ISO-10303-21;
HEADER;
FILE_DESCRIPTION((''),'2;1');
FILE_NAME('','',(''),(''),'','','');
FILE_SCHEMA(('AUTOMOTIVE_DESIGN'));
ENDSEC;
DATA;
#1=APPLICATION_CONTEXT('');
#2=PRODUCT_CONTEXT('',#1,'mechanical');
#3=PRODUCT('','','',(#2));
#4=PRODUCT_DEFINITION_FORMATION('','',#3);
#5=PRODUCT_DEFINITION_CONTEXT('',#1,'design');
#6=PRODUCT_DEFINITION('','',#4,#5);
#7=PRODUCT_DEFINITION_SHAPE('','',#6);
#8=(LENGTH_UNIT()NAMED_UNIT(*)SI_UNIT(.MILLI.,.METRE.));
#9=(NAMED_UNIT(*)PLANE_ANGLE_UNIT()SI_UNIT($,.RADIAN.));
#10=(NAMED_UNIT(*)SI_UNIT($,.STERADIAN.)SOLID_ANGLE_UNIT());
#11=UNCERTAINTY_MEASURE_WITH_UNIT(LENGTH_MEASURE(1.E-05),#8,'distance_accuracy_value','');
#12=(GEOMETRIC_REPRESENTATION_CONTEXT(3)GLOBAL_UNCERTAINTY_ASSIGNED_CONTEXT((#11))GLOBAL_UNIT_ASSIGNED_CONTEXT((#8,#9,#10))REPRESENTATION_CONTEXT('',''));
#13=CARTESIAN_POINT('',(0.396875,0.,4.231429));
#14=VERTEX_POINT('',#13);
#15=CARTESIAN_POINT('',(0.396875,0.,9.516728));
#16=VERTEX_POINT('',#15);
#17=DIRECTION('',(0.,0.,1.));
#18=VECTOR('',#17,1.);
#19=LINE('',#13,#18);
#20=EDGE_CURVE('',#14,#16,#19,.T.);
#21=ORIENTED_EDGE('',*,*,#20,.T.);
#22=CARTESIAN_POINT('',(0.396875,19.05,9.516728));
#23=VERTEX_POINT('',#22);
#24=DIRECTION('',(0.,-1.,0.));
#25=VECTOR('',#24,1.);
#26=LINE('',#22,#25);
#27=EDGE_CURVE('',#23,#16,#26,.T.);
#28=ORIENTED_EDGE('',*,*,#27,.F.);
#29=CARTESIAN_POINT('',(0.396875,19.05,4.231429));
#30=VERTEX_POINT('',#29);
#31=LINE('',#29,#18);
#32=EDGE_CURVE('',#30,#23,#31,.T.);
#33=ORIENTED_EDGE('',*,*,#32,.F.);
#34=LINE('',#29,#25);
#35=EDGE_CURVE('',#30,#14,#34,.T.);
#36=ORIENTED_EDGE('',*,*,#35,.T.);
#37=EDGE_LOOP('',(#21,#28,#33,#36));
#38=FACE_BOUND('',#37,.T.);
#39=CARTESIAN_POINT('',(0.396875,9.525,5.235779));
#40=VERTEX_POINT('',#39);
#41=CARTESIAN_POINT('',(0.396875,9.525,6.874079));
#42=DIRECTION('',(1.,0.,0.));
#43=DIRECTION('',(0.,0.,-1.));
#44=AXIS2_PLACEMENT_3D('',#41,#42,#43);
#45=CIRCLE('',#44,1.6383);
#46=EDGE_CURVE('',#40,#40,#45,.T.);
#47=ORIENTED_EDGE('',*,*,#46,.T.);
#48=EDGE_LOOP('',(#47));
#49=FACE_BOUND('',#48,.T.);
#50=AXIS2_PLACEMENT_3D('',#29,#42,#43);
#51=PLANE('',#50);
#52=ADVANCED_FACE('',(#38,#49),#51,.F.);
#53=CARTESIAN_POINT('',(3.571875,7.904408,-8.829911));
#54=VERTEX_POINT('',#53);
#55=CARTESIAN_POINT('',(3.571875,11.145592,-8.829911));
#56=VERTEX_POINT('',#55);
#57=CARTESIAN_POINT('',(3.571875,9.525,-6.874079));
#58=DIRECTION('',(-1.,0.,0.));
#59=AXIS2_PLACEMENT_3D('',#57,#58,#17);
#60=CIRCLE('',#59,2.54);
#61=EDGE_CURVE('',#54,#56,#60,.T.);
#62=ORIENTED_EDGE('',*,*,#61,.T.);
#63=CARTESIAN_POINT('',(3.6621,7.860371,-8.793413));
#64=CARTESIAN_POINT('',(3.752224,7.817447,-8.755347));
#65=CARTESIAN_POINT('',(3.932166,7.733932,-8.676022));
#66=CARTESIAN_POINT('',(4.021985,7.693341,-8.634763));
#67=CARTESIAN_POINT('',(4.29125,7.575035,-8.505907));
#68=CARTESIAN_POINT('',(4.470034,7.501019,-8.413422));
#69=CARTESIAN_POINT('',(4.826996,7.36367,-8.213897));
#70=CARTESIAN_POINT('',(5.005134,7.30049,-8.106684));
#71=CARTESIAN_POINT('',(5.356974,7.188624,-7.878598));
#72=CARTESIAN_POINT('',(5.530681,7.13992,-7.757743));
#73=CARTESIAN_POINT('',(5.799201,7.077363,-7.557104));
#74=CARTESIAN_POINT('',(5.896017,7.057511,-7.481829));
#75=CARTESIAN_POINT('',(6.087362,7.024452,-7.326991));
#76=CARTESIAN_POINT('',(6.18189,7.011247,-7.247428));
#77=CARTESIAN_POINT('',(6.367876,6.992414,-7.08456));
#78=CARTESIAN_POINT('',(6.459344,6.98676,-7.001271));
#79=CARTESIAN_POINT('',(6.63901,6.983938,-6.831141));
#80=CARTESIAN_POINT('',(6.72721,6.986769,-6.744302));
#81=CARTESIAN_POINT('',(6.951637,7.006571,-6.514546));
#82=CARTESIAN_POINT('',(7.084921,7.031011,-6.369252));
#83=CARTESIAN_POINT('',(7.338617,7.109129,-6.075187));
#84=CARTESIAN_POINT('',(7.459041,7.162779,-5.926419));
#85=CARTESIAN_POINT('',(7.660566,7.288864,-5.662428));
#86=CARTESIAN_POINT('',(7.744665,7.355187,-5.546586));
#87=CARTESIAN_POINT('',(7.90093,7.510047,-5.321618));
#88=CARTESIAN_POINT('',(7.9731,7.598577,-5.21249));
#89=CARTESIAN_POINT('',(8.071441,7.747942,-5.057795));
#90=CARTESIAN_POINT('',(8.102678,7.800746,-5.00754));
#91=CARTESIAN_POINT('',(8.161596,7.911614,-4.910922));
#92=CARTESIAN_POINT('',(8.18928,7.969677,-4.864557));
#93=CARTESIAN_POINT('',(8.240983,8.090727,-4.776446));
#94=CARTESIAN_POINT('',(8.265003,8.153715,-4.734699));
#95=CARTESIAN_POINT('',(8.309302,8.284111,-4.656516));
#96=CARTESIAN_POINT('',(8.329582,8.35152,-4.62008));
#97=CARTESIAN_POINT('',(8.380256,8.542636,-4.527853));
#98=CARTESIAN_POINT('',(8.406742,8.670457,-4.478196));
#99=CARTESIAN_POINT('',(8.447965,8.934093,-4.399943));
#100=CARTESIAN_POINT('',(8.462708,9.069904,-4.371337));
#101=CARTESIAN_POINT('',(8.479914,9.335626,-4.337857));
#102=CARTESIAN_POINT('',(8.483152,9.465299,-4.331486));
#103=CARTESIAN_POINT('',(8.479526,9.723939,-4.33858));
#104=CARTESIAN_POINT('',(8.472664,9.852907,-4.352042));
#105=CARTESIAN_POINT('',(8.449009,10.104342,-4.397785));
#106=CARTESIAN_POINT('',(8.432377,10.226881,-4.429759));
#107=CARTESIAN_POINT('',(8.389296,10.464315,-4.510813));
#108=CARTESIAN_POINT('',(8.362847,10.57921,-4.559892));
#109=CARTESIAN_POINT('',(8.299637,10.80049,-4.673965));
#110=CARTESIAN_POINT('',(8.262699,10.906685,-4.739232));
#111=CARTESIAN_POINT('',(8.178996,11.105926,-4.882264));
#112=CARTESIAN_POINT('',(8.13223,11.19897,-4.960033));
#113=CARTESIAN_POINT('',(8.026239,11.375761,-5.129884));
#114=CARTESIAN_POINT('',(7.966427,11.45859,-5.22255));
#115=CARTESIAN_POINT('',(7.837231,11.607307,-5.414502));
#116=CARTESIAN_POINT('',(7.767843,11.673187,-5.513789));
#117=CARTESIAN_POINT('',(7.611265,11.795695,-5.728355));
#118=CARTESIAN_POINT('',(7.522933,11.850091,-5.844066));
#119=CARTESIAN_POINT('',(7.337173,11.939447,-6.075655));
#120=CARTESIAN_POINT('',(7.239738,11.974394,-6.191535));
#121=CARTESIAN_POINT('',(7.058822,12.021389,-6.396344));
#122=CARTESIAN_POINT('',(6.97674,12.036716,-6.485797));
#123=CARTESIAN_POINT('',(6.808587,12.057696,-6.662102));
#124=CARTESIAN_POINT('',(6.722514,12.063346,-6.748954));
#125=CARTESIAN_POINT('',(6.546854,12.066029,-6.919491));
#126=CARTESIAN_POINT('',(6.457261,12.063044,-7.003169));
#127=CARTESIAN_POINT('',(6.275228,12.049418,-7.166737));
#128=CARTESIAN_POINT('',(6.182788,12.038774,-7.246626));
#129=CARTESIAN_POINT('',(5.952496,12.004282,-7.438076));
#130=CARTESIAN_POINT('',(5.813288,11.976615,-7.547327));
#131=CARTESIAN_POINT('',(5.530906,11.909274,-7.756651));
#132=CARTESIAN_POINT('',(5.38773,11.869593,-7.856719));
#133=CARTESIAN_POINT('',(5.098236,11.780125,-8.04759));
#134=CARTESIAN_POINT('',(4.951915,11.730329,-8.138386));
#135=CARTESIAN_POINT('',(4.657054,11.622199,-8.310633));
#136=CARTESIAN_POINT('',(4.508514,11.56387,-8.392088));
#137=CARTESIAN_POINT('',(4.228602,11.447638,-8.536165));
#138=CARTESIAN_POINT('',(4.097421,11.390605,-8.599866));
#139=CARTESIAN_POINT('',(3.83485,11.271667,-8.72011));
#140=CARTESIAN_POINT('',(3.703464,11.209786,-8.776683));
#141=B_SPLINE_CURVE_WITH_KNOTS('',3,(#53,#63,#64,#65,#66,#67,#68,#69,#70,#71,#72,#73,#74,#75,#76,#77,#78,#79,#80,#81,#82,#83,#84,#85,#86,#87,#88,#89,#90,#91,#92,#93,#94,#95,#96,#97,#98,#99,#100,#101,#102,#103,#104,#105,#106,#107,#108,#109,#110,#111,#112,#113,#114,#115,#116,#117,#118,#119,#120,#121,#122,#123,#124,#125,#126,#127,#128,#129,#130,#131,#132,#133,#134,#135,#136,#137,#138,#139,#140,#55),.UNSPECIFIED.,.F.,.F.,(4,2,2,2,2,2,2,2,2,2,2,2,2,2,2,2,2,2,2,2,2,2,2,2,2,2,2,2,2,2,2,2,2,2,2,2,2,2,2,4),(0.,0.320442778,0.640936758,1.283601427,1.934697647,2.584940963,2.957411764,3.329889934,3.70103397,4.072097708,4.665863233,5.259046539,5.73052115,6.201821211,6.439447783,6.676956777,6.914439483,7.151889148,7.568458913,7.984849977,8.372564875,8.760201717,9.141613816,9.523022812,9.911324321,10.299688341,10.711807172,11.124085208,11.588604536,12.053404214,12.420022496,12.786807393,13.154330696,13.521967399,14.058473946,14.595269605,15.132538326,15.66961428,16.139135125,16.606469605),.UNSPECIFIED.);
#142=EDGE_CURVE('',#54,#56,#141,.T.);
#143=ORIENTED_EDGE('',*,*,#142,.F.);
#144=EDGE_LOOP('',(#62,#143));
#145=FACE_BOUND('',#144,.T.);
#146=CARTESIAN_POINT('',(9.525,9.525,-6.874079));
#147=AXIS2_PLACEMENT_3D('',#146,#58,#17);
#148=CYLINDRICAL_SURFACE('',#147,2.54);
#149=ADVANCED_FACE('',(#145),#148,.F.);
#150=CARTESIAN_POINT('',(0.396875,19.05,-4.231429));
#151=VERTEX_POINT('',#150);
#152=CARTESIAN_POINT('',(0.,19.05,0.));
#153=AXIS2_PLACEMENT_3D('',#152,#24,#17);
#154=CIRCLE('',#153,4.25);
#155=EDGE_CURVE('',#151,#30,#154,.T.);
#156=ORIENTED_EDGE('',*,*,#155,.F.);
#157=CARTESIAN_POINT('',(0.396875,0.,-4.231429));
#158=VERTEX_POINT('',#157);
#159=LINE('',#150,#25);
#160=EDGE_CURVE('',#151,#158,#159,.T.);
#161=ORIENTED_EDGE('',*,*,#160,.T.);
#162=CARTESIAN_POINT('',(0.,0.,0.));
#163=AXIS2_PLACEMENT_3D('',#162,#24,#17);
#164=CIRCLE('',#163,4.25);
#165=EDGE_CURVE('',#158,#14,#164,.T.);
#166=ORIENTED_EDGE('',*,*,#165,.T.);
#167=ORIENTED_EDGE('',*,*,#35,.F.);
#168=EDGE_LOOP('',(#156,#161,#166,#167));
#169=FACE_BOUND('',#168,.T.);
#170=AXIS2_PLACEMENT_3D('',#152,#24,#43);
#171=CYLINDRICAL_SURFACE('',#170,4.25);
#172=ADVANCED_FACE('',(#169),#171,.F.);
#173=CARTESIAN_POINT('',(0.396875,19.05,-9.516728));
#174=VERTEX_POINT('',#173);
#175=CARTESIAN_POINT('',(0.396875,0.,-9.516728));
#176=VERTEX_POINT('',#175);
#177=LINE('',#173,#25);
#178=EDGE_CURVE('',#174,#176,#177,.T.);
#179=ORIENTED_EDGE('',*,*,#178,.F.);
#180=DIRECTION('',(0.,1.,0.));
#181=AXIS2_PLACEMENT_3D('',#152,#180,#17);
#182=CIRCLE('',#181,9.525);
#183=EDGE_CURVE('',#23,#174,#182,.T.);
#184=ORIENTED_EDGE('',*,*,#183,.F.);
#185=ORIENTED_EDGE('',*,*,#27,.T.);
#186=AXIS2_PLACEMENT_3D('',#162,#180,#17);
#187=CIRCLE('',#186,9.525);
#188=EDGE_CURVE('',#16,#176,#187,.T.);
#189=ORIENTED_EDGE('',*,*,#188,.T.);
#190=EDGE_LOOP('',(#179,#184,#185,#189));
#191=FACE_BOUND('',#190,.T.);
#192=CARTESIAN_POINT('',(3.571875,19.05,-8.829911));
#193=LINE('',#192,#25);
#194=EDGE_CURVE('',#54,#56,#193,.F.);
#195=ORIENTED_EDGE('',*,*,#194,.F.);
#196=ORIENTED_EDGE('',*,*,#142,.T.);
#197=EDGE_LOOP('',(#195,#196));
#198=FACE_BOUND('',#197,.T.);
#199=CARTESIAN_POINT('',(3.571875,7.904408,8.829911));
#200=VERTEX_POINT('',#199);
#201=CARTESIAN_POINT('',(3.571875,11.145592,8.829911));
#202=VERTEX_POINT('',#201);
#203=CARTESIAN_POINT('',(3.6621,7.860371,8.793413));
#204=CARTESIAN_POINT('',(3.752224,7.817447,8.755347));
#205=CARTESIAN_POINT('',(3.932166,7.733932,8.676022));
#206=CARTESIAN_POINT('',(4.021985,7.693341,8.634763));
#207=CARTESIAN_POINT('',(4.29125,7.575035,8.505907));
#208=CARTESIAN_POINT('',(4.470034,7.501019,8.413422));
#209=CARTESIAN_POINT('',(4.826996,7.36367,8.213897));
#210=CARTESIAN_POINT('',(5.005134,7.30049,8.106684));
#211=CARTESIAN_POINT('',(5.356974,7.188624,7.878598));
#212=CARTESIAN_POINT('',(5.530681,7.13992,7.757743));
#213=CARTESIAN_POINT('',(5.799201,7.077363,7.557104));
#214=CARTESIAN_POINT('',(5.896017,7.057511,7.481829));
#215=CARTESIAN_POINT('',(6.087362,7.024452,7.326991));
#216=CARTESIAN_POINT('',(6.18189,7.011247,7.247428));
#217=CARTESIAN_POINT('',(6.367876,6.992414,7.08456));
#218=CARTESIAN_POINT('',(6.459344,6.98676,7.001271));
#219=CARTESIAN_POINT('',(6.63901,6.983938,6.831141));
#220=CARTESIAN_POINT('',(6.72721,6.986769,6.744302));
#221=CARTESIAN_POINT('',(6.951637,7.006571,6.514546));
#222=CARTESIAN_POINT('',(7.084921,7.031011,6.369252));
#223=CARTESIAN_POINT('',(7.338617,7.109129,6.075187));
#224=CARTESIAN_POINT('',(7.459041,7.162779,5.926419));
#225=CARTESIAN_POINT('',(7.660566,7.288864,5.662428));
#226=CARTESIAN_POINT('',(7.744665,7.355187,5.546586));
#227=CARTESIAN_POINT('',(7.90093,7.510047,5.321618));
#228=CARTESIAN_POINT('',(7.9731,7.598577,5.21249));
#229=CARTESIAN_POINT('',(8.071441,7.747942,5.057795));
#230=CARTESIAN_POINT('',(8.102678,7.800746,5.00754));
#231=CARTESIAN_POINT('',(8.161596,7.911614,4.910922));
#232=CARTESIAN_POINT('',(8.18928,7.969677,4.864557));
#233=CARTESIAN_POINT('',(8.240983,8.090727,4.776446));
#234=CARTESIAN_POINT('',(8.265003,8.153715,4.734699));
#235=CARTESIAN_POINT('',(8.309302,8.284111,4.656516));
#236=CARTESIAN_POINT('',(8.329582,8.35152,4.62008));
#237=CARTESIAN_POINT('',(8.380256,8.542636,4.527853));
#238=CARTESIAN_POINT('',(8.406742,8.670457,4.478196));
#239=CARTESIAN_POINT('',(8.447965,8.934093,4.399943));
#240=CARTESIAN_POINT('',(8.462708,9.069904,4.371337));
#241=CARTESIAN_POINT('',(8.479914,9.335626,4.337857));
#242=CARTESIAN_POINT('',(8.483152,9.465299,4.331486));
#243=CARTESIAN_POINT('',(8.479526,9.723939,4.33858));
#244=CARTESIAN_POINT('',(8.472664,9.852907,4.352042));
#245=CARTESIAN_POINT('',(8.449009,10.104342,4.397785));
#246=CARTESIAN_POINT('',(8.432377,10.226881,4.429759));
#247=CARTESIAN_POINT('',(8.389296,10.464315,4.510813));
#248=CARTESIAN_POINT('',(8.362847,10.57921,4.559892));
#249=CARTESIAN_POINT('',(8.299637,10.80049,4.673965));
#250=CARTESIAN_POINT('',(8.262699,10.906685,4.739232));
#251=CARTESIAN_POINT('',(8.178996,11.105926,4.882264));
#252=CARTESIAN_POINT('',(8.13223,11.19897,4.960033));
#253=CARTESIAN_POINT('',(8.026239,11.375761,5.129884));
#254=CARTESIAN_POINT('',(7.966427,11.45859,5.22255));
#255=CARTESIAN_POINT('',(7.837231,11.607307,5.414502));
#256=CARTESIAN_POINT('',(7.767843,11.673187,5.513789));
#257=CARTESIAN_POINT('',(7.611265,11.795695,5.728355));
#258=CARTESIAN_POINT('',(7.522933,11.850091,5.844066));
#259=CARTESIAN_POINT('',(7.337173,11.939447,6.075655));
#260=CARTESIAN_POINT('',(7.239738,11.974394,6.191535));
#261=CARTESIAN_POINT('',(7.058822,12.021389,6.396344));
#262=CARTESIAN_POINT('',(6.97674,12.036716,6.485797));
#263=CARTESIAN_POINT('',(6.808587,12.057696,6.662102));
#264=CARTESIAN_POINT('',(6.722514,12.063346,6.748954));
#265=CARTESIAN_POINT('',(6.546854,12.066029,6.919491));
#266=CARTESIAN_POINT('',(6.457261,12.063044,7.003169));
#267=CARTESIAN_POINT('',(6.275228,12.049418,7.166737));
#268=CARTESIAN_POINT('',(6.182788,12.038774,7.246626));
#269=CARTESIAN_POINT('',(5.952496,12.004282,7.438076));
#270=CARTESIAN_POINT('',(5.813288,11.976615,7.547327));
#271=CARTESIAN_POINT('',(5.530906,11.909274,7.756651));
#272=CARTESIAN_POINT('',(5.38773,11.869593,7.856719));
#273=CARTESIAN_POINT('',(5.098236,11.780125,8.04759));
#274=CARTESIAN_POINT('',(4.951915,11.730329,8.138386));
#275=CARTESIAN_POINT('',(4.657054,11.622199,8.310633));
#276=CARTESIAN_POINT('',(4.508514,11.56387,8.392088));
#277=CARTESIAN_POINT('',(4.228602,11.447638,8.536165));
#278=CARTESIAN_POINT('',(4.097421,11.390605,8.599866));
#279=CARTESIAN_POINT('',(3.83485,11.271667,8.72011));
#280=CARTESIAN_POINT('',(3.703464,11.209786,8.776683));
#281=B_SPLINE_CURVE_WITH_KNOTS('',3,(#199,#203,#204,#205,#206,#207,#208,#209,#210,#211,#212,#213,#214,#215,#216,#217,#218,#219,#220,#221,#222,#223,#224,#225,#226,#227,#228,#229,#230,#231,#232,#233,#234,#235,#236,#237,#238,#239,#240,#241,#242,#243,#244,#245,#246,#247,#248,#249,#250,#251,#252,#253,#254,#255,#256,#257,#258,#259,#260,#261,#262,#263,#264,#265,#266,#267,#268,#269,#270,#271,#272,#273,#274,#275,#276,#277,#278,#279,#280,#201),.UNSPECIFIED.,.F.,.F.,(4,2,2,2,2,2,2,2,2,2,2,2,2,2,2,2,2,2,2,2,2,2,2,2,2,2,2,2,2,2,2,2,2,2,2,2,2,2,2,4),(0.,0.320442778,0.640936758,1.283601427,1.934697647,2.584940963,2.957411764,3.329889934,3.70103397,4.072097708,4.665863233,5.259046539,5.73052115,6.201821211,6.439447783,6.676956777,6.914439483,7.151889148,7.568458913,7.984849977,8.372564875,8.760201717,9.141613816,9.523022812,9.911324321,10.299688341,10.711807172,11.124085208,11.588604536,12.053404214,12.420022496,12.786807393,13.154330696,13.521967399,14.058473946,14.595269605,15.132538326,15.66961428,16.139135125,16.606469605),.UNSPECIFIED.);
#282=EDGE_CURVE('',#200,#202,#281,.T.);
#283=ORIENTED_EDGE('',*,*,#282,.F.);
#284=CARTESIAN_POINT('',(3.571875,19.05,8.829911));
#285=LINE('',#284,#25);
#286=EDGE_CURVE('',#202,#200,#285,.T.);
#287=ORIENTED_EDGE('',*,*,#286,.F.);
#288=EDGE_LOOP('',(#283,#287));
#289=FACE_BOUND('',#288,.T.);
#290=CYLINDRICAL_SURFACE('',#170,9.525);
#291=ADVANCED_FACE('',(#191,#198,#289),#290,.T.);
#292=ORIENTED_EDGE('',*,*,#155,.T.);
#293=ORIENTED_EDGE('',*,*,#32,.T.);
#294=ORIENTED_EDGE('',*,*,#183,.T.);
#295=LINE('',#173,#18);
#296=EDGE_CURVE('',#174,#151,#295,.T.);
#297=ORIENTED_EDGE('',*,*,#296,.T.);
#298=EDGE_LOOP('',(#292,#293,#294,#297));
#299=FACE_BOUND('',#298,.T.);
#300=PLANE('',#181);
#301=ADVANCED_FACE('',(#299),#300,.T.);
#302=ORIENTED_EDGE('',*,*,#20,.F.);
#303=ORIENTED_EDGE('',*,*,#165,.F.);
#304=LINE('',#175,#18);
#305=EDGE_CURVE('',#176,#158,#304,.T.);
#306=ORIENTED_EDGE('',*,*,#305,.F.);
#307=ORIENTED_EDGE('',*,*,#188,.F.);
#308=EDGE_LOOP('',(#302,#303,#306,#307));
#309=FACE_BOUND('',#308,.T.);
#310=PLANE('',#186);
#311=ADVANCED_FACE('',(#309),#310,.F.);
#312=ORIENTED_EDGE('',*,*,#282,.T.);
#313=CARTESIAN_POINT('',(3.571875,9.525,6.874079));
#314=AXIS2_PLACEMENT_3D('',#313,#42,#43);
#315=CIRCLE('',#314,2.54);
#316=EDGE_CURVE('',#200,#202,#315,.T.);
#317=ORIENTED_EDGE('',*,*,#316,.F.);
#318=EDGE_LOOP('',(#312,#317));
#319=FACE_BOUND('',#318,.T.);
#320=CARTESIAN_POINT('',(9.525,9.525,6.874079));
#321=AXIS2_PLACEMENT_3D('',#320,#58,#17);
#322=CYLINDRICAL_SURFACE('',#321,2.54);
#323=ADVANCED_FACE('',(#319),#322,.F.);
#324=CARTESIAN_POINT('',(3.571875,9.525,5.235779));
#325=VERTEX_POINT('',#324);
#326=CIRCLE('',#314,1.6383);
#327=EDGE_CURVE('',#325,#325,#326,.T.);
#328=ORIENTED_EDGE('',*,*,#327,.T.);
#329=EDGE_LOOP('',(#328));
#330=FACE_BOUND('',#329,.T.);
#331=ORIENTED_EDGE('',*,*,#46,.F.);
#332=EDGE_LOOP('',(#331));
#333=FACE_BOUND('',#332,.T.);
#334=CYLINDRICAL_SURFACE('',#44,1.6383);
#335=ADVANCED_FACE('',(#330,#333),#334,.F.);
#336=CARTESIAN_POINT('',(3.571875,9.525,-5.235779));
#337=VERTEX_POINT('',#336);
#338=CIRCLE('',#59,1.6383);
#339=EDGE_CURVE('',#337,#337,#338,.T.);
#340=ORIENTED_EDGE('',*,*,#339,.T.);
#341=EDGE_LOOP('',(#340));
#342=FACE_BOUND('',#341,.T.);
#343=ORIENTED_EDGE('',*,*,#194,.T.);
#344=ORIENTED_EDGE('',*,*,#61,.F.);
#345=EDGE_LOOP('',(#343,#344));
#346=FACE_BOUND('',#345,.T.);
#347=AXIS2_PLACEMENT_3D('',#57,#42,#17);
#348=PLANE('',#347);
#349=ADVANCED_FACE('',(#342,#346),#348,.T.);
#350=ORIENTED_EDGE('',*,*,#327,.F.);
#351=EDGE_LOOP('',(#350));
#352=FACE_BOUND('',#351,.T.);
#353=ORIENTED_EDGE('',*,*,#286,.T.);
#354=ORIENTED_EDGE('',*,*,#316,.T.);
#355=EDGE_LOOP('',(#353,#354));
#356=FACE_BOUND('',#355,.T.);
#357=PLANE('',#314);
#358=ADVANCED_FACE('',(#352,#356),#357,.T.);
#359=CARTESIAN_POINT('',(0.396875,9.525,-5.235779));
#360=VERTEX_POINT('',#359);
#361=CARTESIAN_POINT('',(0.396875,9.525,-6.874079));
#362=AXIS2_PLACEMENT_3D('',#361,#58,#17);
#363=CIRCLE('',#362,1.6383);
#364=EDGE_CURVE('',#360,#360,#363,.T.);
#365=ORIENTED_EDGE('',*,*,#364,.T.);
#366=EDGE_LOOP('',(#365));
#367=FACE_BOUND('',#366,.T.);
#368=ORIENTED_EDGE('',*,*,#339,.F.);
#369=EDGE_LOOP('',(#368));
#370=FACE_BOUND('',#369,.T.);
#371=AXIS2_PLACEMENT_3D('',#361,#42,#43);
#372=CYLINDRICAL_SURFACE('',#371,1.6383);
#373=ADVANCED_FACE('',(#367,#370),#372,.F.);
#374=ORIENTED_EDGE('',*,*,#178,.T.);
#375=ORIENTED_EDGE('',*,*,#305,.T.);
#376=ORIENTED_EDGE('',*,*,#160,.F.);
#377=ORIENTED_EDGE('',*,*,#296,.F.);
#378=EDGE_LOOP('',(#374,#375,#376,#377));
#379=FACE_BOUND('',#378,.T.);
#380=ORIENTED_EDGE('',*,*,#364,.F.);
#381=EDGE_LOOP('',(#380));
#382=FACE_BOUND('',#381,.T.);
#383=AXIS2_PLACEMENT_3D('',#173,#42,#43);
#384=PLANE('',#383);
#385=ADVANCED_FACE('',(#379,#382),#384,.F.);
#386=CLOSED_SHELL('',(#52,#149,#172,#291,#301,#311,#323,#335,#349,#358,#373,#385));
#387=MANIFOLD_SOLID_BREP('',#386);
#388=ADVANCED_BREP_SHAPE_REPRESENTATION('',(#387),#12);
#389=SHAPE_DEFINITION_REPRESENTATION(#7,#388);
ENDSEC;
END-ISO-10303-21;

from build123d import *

# Parameters (mm, degrees)
BOSS_EXTRUDE1_DEPTH = 19.05
SKETCH4_R           = 1.6383
CUT_EXTRUDE1_DEPTH  = 4.175
SKETCH5_R           = 2.54
CUT_EXTRUDE2_DEPTH  = 6.953125


with BuildPart() as part:
    # Sketch1 → Boss-Extrude1 (new body)
    with BuildSketch(Plane(origin=(0, 0, 0), x_dir=(1, 0, 0), z_dir=(0, 1, 0))):
        with BuildLine():
            Line((0.396875, 9.516728179), (0.396875, 4.231428864))
            ThreePointArc((0.396875, 4.231428864), (4.25, 0), (0.396875, -4.231428864))
            Line((0.396875, -4.231428864), (0.396875, -9.516728179))
            ThreePointArc((0.396875, -9.516728179), (9.525, 0), (0.396875, 9.516728179))
        make_face()
    extrude(amount=BOSS_EXTRUDE1_DEPTH)

    # Sketch4 → Cut-Extrude1 (cut, through all)
    with BuildSketch(Plane(origin=(3.571875, 0, 0), x_dir=(0, 0, -1), z_dir=(1, 0, 0))):
        with Locations((-6.874078522, 9.525)):
            Circle(SKETCH4_R)
    cut_extrude1 = extrude(amount=-CUT_EXTRUDE1_DEPTH, mode=Mode.SUBTRACT)

    # Sketch5 → Cut-Extrude2 (cut, through all)
    with BuildSketch(Plane(origin=(3.571875, 0, 0), x_dir=(0, 0, -1), z_dir=(1, 0, 0))):
        with Locations((-6.874078522, 9.525)):
            Circle(SKETCH5_R)
    cut_extrude2 = extrude(amount=CUT_EXTRUDE2_DEPTH, mode=Mode.SUBTRACT)

    # Mirror1: Cut-Extrude1, Cut-Extrude2 across plane
    add(cut_extrude1.mirror(Plane.XY), mode=Mode.SUBTRACT)
    add(cut_extrude2.mirror(Plane.XY), mode=Mode.SUBTRACT)


solid = part.part
